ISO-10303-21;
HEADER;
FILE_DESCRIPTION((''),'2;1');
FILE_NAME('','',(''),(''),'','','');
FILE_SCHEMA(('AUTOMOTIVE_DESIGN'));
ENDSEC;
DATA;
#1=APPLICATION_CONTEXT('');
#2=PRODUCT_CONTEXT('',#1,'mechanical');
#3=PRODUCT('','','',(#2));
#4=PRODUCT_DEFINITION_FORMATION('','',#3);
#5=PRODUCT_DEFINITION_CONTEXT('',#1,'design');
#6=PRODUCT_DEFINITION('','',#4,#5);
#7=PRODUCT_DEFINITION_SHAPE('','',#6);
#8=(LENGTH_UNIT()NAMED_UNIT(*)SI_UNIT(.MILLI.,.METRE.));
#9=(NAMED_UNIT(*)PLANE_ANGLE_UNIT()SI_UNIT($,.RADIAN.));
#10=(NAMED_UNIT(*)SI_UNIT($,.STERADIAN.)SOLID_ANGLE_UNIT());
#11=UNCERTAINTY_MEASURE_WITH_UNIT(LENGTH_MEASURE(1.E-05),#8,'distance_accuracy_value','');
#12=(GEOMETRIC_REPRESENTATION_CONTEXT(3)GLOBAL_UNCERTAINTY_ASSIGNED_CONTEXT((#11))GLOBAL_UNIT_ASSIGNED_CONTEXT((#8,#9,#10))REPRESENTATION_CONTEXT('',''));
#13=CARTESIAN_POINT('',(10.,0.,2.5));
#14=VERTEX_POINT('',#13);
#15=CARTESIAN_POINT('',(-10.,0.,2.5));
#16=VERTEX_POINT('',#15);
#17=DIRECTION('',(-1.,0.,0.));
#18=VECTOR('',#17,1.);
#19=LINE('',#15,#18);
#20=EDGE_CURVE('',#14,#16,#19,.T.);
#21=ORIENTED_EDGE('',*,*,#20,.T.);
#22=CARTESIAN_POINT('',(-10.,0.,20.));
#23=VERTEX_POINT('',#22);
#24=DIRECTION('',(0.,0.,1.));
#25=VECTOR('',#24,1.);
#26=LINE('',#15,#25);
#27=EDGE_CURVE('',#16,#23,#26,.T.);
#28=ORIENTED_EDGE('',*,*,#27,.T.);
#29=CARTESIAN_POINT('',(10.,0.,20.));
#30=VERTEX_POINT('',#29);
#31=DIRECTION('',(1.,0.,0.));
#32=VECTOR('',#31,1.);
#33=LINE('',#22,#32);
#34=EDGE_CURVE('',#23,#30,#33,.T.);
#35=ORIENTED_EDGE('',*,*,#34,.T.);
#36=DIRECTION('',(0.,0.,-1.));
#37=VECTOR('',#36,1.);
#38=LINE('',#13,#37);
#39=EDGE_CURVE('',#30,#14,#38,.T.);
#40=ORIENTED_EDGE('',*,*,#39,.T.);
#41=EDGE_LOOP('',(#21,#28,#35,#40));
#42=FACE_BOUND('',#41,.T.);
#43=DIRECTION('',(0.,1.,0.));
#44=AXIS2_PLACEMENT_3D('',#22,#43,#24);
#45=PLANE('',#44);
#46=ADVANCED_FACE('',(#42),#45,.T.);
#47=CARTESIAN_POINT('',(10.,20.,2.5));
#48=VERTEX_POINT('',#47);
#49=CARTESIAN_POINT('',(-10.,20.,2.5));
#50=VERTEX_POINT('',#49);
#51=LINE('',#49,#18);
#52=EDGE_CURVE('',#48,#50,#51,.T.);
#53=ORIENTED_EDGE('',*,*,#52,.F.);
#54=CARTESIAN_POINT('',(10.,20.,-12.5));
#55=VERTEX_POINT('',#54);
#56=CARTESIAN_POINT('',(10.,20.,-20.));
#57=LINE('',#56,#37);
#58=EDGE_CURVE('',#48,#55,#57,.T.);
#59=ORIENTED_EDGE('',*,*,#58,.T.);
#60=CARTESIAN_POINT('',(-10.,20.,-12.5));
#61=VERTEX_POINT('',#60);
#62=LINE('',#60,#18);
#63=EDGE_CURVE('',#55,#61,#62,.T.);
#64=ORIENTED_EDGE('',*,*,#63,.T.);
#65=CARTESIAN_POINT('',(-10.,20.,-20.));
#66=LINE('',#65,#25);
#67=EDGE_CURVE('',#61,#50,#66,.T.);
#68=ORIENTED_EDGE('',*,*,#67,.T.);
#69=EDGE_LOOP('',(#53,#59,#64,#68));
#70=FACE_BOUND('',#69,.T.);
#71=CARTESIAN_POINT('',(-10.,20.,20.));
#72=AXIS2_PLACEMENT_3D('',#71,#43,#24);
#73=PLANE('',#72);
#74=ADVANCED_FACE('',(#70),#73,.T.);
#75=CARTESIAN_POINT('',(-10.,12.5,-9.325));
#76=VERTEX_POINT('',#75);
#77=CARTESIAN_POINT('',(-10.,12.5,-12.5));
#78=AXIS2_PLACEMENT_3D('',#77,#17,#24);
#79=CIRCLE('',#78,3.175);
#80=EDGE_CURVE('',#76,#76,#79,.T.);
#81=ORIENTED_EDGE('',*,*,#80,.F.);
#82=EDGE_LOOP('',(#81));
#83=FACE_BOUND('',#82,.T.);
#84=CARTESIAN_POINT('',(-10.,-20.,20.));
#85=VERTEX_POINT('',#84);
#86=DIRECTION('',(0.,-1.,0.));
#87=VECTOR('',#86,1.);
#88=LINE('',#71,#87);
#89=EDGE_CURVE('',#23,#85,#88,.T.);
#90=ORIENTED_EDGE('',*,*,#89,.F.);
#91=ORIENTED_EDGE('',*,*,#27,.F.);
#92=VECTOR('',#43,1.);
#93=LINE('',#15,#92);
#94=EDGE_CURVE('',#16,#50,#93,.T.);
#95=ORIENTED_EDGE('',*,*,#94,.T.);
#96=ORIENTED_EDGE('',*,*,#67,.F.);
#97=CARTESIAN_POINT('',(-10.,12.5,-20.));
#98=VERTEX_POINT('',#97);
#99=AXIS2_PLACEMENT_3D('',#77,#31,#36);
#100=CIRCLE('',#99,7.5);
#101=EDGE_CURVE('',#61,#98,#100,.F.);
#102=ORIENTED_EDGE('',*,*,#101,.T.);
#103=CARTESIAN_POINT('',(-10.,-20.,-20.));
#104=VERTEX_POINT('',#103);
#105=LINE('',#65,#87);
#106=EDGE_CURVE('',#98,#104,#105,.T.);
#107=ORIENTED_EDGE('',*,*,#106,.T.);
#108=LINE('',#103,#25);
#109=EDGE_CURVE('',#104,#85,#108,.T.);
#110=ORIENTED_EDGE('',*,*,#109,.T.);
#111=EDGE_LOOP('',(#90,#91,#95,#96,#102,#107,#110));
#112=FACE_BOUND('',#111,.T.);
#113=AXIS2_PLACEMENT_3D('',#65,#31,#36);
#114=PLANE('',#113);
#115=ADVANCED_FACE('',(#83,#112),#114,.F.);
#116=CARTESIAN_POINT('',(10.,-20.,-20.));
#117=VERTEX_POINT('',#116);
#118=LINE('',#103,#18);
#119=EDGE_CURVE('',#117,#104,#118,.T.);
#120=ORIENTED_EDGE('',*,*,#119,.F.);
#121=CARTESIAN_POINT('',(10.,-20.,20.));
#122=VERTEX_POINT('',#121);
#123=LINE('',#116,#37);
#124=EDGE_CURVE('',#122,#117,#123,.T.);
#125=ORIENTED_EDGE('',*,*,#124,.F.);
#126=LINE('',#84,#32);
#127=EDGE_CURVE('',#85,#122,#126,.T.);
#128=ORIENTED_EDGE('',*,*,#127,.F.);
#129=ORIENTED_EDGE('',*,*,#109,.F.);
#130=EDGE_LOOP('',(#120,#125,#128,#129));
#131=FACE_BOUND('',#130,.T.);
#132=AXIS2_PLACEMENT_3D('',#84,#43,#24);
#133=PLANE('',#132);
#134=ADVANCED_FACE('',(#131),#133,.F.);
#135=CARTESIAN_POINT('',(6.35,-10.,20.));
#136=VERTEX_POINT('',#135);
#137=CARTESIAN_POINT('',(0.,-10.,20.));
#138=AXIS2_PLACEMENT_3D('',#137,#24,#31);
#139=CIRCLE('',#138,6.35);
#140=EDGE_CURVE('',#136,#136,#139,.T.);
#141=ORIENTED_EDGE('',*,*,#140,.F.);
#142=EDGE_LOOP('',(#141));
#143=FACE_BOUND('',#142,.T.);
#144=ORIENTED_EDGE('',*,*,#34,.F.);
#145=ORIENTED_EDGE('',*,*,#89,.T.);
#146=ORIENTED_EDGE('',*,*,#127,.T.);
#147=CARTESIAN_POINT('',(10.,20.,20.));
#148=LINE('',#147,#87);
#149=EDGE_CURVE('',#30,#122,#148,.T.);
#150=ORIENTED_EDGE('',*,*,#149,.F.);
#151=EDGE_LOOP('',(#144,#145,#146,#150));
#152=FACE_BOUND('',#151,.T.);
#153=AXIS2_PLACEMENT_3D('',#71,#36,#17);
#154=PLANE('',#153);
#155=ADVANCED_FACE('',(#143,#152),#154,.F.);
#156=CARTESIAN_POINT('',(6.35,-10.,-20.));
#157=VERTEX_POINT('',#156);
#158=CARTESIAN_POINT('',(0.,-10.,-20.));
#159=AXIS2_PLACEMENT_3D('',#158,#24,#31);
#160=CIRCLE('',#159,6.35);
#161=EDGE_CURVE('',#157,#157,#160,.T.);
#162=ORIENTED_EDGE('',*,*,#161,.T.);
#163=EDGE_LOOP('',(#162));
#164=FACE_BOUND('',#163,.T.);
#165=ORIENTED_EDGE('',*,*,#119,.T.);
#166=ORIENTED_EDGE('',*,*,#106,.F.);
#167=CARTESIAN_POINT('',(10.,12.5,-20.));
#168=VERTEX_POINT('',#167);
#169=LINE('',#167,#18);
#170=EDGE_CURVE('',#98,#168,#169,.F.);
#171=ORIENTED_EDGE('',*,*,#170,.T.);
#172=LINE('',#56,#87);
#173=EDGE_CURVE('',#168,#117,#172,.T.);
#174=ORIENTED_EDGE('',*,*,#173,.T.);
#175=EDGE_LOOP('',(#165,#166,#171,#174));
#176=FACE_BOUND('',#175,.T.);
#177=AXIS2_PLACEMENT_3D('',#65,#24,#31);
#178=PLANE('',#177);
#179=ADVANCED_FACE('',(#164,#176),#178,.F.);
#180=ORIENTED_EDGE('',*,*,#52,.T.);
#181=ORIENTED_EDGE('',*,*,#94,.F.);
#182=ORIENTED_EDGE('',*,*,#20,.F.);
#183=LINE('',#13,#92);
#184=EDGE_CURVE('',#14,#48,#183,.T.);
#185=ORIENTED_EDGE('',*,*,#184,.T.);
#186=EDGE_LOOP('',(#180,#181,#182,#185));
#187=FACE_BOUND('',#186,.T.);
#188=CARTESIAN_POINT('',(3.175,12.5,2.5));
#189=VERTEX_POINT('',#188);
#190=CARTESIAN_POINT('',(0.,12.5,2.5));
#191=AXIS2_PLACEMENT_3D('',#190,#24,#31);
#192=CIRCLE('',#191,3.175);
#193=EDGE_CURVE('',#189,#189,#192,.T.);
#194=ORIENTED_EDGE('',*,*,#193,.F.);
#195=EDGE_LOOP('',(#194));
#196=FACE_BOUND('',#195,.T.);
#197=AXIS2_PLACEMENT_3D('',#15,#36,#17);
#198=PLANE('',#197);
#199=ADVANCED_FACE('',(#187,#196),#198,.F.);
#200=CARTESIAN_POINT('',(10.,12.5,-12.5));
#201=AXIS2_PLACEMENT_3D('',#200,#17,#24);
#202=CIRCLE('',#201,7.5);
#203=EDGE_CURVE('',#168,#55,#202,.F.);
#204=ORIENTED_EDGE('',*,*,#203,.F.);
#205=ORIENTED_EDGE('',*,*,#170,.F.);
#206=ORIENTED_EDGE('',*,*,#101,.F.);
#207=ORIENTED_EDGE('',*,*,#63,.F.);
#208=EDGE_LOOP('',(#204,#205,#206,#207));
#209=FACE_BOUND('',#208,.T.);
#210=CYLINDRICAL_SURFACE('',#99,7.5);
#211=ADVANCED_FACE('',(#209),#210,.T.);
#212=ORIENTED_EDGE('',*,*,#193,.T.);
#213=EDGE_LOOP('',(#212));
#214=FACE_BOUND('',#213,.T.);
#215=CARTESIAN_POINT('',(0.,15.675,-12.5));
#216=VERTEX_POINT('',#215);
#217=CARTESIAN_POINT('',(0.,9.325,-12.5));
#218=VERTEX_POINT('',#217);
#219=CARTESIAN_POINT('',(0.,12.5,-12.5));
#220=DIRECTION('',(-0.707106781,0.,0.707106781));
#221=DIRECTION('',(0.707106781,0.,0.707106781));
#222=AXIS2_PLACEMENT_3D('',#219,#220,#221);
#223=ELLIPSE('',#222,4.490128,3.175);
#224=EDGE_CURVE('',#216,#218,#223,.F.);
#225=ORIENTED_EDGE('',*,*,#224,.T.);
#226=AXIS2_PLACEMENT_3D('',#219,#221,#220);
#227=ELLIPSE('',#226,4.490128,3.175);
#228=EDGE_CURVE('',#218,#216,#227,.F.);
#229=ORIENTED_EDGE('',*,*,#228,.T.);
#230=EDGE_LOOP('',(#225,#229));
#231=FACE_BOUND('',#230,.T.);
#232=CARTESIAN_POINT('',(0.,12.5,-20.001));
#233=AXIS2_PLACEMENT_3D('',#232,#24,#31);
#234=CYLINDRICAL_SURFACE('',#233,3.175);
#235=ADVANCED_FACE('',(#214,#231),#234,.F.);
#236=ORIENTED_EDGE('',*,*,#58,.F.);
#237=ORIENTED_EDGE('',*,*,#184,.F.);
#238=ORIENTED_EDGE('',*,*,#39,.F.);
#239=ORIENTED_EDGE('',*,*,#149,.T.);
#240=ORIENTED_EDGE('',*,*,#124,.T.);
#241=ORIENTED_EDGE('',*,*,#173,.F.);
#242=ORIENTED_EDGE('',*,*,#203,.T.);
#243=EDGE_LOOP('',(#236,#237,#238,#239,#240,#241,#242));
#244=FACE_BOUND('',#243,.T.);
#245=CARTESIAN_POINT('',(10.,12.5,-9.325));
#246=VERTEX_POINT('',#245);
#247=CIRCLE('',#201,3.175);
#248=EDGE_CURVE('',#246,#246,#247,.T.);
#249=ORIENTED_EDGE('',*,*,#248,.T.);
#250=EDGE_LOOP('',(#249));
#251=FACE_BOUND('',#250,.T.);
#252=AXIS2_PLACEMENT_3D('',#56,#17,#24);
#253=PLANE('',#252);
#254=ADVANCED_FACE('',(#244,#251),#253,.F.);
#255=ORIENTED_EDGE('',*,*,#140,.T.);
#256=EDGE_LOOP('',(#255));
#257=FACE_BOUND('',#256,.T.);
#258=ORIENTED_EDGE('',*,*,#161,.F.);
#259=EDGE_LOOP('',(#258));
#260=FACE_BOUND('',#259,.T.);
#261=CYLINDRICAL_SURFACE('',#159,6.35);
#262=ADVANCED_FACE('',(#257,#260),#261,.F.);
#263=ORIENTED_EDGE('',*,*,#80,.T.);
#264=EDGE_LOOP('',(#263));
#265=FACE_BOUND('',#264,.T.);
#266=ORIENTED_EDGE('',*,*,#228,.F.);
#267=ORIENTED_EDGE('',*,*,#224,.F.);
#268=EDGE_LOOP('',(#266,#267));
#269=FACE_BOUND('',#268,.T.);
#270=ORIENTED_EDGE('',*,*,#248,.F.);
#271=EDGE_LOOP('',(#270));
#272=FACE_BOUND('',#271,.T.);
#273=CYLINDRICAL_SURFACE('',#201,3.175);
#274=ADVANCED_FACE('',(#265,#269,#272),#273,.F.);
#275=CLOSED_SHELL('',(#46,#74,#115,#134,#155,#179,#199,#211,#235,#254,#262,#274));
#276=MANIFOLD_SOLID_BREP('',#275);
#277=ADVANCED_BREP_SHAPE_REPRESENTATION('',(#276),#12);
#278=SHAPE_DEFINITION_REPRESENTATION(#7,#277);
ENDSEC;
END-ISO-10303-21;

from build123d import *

# Parameters (mm, degrees)
SKETCH3_W           = 20
SKETCH3_H           = 40
BOSS_EXTRUDE2_DEPTH = 20
FILLET2_R           = 7.5
SKETCH4_R           = 3.175
CUT_EXTRUDE2_DEPTH  = 21
SKETCH5_W           = 20
SKETCH5_H           = 17.5
CUT_EXTRUDE3_DEPTH  = 20
CUT_EXTRUDE4_REACH  = 24.5
SKETCH6_R           = 3.175
SKETCH7_R           = 6.35
CUT_EXTRUDE5_DEPTH  = 41


with BuildPart() as part:
    # Sketch3 → Boss-Extrude2 (new body, symmetric)
    with BuildSketch(Plane(origin=(0, 0, 0), x_dir=(1, 0, 0), z_dir=(0, 1, 0))):
        Rectangle(SKETCH3_W, SKETCH3_H)
    extrude(amount=BOSS_EXTRUDE2_DEPTH, both=True)

    # Fillet2
    fillet2_edges = [part.edges().sort_by_distance(p)[0] for p in [
        (0, 20, -20),
    ]]
    fillet(fillet2_edges, radius=FILLET2_R)

    # Sketch4 → Cut-Extrude2 (cut, through all)
    with BuildSketch(Plane.ZY.offset(10)):
        with Locations((-12.5, 12.5)):
            Circle(SKETCH4_R)
    extrude(amount=-CUT_EXTRUDE2_DEPTH, mode=Mode.SUBTRACT)

    # Sketch5 → Cut-Extrude3 (cut)
    with BuildSketch(Plane(origin=(0, 20, 0), x_dir=(1, 0, 0), z_dir=(0, 1, 0))):
        with Locations((0, -11.25)):
            Rectangle(SKETCH5_W, SKETCH5_H)
    extrude(amount=-CUT_EXTRUDE3_DEPTH, mode=Mode.SUBTRACT)

    # Sketch6 → Cut-Extrude4 (cut, up to next)
    with BuildSketch(Plane.XY.offset(2.5), mode=Mode.PRIVATE) as cut_extrude4_sk1:
        with Locations((0, 12.5)):
            Circle(SKETCH6_R)
    cut_extrude4_tool1 = extrude(cut_extrude4_sk1.sketch, amount=-CUT_EXTRUDE4_REACH, mode=Mode.PRIVATE) & part.part
    add(cut_extrude4_tool1.solids().sort_by_distance((0, 12.5, 2.5))[0], mode=Mode.SUBTRACT)

    # Sketch7 → Cut-Extrude5 (cut, through all)
    with BuildSketch(Plane.XY.offset(20)):
        with Locations((0, -10)):
            Circle(SKETCH7_R)
    extrude(amount=-CUT_EXTRUDE5_DEPTH, mode=Mode.SUBTRACT)


solid = part.part
